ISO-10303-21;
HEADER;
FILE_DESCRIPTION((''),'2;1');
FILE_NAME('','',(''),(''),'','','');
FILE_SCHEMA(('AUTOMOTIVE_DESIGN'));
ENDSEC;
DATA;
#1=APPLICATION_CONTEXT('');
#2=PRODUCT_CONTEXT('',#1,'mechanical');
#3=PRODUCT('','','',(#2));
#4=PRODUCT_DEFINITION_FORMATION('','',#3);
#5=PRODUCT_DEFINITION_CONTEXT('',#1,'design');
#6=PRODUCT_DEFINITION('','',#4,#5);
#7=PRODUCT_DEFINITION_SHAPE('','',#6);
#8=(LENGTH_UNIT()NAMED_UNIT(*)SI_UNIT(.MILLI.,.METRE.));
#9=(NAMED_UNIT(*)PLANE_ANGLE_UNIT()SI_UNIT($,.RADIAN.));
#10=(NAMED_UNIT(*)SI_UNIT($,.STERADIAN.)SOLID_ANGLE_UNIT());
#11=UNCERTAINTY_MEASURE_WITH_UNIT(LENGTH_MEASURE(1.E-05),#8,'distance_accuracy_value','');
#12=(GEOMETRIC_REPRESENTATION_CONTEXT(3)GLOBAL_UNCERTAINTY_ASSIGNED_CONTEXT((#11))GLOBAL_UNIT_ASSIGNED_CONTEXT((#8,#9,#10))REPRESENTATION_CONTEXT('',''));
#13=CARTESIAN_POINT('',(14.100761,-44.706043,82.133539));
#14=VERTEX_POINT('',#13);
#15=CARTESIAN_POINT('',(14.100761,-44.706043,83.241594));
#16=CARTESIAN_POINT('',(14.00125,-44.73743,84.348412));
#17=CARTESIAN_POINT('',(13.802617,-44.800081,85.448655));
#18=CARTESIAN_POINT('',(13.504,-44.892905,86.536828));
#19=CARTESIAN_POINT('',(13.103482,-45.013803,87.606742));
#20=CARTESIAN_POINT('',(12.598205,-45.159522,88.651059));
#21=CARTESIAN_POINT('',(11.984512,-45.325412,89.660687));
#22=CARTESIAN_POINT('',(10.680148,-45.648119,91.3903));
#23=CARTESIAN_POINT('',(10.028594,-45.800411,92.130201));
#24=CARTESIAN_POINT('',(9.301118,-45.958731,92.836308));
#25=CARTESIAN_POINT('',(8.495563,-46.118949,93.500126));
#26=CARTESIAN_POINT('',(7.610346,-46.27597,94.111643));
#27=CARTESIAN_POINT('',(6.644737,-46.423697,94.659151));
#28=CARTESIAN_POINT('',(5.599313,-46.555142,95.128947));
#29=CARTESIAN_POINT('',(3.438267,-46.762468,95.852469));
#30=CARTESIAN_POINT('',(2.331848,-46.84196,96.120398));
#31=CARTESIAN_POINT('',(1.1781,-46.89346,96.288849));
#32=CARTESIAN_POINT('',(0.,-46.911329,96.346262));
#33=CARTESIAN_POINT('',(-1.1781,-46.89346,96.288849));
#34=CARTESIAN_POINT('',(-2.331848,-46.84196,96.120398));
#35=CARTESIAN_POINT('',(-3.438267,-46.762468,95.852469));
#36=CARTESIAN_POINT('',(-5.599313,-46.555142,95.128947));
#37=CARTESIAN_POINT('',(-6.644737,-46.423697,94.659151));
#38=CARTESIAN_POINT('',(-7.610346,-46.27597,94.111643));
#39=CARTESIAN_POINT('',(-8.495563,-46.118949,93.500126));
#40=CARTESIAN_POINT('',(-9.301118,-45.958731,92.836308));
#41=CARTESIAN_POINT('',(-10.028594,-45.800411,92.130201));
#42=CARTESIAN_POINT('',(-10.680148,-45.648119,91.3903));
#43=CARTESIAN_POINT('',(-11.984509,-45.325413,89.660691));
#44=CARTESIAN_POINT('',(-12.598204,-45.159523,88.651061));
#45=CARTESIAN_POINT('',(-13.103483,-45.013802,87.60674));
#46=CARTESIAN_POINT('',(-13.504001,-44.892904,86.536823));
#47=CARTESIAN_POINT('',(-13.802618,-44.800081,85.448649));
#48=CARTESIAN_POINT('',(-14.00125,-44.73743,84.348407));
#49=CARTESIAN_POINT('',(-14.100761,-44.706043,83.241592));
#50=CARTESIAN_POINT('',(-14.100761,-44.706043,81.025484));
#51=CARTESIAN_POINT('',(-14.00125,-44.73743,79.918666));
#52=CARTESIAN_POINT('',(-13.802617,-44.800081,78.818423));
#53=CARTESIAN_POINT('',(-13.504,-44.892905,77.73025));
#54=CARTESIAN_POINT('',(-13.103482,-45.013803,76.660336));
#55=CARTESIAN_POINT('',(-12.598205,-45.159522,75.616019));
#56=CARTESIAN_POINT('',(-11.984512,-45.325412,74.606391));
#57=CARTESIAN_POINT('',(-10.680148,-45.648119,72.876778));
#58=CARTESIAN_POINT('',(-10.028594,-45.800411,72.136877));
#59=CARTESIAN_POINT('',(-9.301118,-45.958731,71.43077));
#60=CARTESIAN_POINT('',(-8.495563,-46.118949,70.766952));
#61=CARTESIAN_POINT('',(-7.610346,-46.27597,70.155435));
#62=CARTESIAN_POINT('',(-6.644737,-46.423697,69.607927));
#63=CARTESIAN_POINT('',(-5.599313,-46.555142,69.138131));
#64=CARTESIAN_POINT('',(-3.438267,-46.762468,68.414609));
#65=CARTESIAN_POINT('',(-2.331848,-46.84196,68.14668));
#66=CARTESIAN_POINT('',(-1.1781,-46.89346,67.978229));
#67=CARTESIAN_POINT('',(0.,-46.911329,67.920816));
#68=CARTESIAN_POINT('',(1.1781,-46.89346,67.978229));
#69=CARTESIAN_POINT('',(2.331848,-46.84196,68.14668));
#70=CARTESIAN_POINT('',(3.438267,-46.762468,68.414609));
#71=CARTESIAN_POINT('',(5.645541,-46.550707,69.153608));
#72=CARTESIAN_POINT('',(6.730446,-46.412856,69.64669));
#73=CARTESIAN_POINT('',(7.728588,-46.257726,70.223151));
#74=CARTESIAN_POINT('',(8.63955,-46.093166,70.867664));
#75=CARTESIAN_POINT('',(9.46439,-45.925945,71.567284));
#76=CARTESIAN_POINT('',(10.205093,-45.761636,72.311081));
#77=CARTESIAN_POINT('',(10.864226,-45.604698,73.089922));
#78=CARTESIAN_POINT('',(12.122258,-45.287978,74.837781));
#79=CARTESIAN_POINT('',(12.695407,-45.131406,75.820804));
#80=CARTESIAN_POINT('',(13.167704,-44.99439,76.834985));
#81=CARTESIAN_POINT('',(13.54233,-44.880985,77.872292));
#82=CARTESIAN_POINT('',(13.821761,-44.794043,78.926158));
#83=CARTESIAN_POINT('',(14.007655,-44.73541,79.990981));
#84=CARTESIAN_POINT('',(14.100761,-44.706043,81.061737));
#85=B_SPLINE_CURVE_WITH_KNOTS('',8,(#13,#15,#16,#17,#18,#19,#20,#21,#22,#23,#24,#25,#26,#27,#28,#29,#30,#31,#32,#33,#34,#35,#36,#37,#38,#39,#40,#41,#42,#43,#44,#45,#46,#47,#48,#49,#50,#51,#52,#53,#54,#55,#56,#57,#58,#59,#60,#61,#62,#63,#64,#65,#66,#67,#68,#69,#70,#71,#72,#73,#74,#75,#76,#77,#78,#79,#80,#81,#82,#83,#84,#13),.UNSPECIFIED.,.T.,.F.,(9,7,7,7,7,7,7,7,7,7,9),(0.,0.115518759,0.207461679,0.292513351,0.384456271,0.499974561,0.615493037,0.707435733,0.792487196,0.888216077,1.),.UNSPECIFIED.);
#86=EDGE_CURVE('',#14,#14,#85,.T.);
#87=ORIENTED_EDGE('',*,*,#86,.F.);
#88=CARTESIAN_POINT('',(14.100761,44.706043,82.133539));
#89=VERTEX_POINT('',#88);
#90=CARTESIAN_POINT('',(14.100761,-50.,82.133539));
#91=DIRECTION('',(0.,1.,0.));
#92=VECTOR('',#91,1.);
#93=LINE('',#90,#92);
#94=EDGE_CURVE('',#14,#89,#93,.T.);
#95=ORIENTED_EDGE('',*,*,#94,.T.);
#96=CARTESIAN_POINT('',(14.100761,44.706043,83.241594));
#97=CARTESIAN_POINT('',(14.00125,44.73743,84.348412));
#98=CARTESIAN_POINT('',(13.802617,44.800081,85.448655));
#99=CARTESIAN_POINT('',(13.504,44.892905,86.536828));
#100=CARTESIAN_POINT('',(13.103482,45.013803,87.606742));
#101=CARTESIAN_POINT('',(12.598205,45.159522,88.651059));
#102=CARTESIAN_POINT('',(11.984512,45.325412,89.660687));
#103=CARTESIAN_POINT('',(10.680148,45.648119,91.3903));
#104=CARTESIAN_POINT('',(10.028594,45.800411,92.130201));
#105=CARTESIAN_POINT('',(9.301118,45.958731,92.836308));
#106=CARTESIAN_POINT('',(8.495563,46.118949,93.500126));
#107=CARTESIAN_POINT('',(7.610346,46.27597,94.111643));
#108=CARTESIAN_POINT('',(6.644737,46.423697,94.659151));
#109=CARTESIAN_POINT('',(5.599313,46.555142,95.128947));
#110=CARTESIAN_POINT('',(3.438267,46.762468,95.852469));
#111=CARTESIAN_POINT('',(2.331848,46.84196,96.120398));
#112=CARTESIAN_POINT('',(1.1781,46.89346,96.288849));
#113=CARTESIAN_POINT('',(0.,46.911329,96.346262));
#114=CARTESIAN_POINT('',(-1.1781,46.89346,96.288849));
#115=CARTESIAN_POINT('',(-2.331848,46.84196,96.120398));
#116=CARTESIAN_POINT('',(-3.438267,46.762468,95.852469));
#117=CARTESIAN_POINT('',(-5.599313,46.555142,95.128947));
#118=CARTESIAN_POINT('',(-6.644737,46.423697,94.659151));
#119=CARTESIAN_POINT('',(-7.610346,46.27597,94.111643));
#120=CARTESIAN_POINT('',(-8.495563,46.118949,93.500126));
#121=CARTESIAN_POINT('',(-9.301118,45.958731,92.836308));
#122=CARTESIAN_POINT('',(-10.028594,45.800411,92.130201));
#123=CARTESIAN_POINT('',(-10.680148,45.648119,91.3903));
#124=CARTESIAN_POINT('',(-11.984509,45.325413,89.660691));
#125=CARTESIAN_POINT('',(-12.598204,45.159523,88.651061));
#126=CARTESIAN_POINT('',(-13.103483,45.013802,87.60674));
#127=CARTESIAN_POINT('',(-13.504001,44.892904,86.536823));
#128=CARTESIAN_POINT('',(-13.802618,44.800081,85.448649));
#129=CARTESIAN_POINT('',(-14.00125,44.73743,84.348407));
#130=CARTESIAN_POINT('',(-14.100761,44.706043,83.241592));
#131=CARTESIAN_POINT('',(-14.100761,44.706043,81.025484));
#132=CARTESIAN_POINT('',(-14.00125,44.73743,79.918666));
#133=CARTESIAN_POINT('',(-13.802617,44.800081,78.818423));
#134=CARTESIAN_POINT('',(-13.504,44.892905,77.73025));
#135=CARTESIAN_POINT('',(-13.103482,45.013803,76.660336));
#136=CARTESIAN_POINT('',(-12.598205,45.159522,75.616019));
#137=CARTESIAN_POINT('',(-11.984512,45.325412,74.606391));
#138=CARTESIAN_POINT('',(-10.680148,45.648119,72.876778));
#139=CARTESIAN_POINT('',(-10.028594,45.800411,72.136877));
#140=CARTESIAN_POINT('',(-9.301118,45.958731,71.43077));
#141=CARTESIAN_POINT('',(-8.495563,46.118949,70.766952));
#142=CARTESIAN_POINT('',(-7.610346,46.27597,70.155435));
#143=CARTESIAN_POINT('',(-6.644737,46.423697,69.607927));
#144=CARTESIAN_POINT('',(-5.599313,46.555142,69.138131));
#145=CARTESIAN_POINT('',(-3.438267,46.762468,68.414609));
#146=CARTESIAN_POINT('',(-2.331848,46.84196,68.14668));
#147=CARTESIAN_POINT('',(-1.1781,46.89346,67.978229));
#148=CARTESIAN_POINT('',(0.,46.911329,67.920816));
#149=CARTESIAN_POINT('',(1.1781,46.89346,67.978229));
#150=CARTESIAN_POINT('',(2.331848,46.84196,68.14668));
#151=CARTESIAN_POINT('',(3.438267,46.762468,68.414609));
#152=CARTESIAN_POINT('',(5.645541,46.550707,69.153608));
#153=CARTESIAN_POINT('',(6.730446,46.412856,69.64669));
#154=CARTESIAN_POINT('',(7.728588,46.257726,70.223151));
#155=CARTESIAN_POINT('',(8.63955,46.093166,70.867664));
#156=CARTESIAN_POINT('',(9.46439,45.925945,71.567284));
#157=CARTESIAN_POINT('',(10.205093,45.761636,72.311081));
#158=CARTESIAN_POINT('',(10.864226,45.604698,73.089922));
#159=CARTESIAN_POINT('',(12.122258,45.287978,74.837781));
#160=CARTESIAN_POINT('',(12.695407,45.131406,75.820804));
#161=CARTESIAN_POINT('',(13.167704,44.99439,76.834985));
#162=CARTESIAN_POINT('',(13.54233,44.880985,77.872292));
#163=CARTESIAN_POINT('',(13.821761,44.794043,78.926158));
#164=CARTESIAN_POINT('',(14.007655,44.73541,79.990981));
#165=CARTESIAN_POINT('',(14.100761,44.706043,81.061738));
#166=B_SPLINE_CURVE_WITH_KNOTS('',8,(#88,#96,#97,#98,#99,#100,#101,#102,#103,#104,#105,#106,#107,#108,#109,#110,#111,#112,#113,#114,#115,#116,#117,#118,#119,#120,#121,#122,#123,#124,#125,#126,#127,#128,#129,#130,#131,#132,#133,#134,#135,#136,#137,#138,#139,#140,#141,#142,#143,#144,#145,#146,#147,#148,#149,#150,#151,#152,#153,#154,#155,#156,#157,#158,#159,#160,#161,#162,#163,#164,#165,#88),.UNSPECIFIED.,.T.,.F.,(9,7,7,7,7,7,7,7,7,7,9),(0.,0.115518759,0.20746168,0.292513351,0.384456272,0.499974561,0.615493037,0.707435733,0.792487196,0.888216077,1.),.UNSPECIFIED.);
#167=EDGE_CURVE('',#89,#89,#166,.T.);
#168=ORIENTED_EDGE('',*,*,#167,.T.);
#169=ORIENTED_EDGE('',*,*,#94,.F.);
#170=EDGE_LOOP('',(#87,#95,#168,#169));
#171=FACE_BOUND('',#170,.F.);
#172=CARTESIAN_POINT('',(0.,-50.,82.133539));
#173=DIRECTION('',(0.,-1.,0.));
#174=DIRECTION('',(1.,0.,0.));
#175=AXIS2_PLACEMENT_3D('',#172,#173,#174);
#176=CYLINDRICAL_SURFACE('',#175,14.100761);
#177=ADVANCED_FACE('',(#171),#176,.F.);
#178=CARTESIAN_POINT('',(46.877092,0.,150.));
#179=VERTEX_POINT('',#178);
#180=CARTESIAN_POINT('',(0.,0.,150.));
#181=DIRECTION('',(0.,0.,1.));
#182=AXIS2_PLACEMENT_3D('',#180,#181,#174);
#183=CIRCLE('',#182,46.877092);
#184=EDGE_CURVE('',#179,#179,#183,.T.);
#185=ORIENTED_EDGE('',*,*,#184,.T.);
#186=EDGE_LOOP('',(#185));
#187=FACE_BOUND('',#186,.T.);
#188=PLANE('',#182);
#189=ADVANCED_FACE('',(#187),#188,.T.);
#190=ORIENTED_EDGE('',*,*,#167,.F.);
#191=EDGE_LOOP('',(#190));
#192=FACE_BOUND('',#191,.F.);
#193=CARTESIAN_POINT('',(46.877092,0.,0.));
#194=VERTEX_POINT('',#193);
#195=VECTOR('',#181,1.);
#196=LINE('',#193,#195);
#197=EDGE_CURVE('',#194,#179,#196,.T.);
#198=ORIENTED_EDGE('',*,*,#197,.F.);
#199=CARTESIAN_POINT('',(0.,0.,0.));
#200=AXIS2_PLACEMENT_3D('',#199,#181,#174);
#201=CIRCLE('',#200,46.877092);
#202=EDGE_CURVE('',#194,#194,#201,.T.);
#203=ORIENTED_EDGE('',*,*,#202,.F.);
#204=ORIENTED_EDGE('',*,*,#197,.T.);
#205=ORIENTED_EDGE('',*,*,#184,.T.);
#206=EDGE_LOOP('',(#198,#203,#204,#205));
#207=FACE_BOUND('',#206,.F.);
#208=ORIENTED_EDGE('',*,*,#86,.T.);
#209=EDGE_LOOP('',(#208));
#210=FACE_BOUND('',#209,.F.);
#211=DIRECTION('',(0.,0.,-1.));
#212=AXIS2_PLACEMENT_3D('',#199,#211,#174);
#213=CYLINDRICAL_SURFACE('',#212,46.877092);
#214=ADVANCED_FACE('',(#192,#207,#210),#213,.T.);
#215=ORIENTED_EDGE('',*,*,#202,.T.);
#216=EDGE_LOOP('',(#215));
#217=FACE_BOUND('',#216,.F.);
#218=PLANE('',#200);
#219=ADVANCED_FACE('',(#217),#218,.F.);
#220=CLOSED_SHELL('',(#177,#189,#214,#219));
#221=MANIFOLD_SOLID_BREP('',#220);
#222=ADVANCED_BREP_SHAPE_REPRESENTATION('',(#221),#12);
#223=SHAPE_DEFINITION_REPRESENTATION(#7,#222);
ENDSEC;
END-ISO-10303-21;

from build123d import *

# Parameters (mm, degrees)
F0_R     = 46.877092
F1_DEPTH = 150
F3_R     = 14.100761
F4_DEPTH = 100


with BuildPart() as f1:
    # F0 (on Top) → F1 (new body)
    with BuildSketch(Plane.XY):
        Circle(F0_R)
    extrude(amount=F1_DEPTH)

    # F3 (on offset) → F4 (cut)
    with BuildSketch(Plane.XZ.offset(50)):
        with Locations((0, 82.133539)):
            Circle(F3_R)
    extrude(amount=-F4_DEPTH, mode=Mode.SUBTRACT)


solid = f1.part
